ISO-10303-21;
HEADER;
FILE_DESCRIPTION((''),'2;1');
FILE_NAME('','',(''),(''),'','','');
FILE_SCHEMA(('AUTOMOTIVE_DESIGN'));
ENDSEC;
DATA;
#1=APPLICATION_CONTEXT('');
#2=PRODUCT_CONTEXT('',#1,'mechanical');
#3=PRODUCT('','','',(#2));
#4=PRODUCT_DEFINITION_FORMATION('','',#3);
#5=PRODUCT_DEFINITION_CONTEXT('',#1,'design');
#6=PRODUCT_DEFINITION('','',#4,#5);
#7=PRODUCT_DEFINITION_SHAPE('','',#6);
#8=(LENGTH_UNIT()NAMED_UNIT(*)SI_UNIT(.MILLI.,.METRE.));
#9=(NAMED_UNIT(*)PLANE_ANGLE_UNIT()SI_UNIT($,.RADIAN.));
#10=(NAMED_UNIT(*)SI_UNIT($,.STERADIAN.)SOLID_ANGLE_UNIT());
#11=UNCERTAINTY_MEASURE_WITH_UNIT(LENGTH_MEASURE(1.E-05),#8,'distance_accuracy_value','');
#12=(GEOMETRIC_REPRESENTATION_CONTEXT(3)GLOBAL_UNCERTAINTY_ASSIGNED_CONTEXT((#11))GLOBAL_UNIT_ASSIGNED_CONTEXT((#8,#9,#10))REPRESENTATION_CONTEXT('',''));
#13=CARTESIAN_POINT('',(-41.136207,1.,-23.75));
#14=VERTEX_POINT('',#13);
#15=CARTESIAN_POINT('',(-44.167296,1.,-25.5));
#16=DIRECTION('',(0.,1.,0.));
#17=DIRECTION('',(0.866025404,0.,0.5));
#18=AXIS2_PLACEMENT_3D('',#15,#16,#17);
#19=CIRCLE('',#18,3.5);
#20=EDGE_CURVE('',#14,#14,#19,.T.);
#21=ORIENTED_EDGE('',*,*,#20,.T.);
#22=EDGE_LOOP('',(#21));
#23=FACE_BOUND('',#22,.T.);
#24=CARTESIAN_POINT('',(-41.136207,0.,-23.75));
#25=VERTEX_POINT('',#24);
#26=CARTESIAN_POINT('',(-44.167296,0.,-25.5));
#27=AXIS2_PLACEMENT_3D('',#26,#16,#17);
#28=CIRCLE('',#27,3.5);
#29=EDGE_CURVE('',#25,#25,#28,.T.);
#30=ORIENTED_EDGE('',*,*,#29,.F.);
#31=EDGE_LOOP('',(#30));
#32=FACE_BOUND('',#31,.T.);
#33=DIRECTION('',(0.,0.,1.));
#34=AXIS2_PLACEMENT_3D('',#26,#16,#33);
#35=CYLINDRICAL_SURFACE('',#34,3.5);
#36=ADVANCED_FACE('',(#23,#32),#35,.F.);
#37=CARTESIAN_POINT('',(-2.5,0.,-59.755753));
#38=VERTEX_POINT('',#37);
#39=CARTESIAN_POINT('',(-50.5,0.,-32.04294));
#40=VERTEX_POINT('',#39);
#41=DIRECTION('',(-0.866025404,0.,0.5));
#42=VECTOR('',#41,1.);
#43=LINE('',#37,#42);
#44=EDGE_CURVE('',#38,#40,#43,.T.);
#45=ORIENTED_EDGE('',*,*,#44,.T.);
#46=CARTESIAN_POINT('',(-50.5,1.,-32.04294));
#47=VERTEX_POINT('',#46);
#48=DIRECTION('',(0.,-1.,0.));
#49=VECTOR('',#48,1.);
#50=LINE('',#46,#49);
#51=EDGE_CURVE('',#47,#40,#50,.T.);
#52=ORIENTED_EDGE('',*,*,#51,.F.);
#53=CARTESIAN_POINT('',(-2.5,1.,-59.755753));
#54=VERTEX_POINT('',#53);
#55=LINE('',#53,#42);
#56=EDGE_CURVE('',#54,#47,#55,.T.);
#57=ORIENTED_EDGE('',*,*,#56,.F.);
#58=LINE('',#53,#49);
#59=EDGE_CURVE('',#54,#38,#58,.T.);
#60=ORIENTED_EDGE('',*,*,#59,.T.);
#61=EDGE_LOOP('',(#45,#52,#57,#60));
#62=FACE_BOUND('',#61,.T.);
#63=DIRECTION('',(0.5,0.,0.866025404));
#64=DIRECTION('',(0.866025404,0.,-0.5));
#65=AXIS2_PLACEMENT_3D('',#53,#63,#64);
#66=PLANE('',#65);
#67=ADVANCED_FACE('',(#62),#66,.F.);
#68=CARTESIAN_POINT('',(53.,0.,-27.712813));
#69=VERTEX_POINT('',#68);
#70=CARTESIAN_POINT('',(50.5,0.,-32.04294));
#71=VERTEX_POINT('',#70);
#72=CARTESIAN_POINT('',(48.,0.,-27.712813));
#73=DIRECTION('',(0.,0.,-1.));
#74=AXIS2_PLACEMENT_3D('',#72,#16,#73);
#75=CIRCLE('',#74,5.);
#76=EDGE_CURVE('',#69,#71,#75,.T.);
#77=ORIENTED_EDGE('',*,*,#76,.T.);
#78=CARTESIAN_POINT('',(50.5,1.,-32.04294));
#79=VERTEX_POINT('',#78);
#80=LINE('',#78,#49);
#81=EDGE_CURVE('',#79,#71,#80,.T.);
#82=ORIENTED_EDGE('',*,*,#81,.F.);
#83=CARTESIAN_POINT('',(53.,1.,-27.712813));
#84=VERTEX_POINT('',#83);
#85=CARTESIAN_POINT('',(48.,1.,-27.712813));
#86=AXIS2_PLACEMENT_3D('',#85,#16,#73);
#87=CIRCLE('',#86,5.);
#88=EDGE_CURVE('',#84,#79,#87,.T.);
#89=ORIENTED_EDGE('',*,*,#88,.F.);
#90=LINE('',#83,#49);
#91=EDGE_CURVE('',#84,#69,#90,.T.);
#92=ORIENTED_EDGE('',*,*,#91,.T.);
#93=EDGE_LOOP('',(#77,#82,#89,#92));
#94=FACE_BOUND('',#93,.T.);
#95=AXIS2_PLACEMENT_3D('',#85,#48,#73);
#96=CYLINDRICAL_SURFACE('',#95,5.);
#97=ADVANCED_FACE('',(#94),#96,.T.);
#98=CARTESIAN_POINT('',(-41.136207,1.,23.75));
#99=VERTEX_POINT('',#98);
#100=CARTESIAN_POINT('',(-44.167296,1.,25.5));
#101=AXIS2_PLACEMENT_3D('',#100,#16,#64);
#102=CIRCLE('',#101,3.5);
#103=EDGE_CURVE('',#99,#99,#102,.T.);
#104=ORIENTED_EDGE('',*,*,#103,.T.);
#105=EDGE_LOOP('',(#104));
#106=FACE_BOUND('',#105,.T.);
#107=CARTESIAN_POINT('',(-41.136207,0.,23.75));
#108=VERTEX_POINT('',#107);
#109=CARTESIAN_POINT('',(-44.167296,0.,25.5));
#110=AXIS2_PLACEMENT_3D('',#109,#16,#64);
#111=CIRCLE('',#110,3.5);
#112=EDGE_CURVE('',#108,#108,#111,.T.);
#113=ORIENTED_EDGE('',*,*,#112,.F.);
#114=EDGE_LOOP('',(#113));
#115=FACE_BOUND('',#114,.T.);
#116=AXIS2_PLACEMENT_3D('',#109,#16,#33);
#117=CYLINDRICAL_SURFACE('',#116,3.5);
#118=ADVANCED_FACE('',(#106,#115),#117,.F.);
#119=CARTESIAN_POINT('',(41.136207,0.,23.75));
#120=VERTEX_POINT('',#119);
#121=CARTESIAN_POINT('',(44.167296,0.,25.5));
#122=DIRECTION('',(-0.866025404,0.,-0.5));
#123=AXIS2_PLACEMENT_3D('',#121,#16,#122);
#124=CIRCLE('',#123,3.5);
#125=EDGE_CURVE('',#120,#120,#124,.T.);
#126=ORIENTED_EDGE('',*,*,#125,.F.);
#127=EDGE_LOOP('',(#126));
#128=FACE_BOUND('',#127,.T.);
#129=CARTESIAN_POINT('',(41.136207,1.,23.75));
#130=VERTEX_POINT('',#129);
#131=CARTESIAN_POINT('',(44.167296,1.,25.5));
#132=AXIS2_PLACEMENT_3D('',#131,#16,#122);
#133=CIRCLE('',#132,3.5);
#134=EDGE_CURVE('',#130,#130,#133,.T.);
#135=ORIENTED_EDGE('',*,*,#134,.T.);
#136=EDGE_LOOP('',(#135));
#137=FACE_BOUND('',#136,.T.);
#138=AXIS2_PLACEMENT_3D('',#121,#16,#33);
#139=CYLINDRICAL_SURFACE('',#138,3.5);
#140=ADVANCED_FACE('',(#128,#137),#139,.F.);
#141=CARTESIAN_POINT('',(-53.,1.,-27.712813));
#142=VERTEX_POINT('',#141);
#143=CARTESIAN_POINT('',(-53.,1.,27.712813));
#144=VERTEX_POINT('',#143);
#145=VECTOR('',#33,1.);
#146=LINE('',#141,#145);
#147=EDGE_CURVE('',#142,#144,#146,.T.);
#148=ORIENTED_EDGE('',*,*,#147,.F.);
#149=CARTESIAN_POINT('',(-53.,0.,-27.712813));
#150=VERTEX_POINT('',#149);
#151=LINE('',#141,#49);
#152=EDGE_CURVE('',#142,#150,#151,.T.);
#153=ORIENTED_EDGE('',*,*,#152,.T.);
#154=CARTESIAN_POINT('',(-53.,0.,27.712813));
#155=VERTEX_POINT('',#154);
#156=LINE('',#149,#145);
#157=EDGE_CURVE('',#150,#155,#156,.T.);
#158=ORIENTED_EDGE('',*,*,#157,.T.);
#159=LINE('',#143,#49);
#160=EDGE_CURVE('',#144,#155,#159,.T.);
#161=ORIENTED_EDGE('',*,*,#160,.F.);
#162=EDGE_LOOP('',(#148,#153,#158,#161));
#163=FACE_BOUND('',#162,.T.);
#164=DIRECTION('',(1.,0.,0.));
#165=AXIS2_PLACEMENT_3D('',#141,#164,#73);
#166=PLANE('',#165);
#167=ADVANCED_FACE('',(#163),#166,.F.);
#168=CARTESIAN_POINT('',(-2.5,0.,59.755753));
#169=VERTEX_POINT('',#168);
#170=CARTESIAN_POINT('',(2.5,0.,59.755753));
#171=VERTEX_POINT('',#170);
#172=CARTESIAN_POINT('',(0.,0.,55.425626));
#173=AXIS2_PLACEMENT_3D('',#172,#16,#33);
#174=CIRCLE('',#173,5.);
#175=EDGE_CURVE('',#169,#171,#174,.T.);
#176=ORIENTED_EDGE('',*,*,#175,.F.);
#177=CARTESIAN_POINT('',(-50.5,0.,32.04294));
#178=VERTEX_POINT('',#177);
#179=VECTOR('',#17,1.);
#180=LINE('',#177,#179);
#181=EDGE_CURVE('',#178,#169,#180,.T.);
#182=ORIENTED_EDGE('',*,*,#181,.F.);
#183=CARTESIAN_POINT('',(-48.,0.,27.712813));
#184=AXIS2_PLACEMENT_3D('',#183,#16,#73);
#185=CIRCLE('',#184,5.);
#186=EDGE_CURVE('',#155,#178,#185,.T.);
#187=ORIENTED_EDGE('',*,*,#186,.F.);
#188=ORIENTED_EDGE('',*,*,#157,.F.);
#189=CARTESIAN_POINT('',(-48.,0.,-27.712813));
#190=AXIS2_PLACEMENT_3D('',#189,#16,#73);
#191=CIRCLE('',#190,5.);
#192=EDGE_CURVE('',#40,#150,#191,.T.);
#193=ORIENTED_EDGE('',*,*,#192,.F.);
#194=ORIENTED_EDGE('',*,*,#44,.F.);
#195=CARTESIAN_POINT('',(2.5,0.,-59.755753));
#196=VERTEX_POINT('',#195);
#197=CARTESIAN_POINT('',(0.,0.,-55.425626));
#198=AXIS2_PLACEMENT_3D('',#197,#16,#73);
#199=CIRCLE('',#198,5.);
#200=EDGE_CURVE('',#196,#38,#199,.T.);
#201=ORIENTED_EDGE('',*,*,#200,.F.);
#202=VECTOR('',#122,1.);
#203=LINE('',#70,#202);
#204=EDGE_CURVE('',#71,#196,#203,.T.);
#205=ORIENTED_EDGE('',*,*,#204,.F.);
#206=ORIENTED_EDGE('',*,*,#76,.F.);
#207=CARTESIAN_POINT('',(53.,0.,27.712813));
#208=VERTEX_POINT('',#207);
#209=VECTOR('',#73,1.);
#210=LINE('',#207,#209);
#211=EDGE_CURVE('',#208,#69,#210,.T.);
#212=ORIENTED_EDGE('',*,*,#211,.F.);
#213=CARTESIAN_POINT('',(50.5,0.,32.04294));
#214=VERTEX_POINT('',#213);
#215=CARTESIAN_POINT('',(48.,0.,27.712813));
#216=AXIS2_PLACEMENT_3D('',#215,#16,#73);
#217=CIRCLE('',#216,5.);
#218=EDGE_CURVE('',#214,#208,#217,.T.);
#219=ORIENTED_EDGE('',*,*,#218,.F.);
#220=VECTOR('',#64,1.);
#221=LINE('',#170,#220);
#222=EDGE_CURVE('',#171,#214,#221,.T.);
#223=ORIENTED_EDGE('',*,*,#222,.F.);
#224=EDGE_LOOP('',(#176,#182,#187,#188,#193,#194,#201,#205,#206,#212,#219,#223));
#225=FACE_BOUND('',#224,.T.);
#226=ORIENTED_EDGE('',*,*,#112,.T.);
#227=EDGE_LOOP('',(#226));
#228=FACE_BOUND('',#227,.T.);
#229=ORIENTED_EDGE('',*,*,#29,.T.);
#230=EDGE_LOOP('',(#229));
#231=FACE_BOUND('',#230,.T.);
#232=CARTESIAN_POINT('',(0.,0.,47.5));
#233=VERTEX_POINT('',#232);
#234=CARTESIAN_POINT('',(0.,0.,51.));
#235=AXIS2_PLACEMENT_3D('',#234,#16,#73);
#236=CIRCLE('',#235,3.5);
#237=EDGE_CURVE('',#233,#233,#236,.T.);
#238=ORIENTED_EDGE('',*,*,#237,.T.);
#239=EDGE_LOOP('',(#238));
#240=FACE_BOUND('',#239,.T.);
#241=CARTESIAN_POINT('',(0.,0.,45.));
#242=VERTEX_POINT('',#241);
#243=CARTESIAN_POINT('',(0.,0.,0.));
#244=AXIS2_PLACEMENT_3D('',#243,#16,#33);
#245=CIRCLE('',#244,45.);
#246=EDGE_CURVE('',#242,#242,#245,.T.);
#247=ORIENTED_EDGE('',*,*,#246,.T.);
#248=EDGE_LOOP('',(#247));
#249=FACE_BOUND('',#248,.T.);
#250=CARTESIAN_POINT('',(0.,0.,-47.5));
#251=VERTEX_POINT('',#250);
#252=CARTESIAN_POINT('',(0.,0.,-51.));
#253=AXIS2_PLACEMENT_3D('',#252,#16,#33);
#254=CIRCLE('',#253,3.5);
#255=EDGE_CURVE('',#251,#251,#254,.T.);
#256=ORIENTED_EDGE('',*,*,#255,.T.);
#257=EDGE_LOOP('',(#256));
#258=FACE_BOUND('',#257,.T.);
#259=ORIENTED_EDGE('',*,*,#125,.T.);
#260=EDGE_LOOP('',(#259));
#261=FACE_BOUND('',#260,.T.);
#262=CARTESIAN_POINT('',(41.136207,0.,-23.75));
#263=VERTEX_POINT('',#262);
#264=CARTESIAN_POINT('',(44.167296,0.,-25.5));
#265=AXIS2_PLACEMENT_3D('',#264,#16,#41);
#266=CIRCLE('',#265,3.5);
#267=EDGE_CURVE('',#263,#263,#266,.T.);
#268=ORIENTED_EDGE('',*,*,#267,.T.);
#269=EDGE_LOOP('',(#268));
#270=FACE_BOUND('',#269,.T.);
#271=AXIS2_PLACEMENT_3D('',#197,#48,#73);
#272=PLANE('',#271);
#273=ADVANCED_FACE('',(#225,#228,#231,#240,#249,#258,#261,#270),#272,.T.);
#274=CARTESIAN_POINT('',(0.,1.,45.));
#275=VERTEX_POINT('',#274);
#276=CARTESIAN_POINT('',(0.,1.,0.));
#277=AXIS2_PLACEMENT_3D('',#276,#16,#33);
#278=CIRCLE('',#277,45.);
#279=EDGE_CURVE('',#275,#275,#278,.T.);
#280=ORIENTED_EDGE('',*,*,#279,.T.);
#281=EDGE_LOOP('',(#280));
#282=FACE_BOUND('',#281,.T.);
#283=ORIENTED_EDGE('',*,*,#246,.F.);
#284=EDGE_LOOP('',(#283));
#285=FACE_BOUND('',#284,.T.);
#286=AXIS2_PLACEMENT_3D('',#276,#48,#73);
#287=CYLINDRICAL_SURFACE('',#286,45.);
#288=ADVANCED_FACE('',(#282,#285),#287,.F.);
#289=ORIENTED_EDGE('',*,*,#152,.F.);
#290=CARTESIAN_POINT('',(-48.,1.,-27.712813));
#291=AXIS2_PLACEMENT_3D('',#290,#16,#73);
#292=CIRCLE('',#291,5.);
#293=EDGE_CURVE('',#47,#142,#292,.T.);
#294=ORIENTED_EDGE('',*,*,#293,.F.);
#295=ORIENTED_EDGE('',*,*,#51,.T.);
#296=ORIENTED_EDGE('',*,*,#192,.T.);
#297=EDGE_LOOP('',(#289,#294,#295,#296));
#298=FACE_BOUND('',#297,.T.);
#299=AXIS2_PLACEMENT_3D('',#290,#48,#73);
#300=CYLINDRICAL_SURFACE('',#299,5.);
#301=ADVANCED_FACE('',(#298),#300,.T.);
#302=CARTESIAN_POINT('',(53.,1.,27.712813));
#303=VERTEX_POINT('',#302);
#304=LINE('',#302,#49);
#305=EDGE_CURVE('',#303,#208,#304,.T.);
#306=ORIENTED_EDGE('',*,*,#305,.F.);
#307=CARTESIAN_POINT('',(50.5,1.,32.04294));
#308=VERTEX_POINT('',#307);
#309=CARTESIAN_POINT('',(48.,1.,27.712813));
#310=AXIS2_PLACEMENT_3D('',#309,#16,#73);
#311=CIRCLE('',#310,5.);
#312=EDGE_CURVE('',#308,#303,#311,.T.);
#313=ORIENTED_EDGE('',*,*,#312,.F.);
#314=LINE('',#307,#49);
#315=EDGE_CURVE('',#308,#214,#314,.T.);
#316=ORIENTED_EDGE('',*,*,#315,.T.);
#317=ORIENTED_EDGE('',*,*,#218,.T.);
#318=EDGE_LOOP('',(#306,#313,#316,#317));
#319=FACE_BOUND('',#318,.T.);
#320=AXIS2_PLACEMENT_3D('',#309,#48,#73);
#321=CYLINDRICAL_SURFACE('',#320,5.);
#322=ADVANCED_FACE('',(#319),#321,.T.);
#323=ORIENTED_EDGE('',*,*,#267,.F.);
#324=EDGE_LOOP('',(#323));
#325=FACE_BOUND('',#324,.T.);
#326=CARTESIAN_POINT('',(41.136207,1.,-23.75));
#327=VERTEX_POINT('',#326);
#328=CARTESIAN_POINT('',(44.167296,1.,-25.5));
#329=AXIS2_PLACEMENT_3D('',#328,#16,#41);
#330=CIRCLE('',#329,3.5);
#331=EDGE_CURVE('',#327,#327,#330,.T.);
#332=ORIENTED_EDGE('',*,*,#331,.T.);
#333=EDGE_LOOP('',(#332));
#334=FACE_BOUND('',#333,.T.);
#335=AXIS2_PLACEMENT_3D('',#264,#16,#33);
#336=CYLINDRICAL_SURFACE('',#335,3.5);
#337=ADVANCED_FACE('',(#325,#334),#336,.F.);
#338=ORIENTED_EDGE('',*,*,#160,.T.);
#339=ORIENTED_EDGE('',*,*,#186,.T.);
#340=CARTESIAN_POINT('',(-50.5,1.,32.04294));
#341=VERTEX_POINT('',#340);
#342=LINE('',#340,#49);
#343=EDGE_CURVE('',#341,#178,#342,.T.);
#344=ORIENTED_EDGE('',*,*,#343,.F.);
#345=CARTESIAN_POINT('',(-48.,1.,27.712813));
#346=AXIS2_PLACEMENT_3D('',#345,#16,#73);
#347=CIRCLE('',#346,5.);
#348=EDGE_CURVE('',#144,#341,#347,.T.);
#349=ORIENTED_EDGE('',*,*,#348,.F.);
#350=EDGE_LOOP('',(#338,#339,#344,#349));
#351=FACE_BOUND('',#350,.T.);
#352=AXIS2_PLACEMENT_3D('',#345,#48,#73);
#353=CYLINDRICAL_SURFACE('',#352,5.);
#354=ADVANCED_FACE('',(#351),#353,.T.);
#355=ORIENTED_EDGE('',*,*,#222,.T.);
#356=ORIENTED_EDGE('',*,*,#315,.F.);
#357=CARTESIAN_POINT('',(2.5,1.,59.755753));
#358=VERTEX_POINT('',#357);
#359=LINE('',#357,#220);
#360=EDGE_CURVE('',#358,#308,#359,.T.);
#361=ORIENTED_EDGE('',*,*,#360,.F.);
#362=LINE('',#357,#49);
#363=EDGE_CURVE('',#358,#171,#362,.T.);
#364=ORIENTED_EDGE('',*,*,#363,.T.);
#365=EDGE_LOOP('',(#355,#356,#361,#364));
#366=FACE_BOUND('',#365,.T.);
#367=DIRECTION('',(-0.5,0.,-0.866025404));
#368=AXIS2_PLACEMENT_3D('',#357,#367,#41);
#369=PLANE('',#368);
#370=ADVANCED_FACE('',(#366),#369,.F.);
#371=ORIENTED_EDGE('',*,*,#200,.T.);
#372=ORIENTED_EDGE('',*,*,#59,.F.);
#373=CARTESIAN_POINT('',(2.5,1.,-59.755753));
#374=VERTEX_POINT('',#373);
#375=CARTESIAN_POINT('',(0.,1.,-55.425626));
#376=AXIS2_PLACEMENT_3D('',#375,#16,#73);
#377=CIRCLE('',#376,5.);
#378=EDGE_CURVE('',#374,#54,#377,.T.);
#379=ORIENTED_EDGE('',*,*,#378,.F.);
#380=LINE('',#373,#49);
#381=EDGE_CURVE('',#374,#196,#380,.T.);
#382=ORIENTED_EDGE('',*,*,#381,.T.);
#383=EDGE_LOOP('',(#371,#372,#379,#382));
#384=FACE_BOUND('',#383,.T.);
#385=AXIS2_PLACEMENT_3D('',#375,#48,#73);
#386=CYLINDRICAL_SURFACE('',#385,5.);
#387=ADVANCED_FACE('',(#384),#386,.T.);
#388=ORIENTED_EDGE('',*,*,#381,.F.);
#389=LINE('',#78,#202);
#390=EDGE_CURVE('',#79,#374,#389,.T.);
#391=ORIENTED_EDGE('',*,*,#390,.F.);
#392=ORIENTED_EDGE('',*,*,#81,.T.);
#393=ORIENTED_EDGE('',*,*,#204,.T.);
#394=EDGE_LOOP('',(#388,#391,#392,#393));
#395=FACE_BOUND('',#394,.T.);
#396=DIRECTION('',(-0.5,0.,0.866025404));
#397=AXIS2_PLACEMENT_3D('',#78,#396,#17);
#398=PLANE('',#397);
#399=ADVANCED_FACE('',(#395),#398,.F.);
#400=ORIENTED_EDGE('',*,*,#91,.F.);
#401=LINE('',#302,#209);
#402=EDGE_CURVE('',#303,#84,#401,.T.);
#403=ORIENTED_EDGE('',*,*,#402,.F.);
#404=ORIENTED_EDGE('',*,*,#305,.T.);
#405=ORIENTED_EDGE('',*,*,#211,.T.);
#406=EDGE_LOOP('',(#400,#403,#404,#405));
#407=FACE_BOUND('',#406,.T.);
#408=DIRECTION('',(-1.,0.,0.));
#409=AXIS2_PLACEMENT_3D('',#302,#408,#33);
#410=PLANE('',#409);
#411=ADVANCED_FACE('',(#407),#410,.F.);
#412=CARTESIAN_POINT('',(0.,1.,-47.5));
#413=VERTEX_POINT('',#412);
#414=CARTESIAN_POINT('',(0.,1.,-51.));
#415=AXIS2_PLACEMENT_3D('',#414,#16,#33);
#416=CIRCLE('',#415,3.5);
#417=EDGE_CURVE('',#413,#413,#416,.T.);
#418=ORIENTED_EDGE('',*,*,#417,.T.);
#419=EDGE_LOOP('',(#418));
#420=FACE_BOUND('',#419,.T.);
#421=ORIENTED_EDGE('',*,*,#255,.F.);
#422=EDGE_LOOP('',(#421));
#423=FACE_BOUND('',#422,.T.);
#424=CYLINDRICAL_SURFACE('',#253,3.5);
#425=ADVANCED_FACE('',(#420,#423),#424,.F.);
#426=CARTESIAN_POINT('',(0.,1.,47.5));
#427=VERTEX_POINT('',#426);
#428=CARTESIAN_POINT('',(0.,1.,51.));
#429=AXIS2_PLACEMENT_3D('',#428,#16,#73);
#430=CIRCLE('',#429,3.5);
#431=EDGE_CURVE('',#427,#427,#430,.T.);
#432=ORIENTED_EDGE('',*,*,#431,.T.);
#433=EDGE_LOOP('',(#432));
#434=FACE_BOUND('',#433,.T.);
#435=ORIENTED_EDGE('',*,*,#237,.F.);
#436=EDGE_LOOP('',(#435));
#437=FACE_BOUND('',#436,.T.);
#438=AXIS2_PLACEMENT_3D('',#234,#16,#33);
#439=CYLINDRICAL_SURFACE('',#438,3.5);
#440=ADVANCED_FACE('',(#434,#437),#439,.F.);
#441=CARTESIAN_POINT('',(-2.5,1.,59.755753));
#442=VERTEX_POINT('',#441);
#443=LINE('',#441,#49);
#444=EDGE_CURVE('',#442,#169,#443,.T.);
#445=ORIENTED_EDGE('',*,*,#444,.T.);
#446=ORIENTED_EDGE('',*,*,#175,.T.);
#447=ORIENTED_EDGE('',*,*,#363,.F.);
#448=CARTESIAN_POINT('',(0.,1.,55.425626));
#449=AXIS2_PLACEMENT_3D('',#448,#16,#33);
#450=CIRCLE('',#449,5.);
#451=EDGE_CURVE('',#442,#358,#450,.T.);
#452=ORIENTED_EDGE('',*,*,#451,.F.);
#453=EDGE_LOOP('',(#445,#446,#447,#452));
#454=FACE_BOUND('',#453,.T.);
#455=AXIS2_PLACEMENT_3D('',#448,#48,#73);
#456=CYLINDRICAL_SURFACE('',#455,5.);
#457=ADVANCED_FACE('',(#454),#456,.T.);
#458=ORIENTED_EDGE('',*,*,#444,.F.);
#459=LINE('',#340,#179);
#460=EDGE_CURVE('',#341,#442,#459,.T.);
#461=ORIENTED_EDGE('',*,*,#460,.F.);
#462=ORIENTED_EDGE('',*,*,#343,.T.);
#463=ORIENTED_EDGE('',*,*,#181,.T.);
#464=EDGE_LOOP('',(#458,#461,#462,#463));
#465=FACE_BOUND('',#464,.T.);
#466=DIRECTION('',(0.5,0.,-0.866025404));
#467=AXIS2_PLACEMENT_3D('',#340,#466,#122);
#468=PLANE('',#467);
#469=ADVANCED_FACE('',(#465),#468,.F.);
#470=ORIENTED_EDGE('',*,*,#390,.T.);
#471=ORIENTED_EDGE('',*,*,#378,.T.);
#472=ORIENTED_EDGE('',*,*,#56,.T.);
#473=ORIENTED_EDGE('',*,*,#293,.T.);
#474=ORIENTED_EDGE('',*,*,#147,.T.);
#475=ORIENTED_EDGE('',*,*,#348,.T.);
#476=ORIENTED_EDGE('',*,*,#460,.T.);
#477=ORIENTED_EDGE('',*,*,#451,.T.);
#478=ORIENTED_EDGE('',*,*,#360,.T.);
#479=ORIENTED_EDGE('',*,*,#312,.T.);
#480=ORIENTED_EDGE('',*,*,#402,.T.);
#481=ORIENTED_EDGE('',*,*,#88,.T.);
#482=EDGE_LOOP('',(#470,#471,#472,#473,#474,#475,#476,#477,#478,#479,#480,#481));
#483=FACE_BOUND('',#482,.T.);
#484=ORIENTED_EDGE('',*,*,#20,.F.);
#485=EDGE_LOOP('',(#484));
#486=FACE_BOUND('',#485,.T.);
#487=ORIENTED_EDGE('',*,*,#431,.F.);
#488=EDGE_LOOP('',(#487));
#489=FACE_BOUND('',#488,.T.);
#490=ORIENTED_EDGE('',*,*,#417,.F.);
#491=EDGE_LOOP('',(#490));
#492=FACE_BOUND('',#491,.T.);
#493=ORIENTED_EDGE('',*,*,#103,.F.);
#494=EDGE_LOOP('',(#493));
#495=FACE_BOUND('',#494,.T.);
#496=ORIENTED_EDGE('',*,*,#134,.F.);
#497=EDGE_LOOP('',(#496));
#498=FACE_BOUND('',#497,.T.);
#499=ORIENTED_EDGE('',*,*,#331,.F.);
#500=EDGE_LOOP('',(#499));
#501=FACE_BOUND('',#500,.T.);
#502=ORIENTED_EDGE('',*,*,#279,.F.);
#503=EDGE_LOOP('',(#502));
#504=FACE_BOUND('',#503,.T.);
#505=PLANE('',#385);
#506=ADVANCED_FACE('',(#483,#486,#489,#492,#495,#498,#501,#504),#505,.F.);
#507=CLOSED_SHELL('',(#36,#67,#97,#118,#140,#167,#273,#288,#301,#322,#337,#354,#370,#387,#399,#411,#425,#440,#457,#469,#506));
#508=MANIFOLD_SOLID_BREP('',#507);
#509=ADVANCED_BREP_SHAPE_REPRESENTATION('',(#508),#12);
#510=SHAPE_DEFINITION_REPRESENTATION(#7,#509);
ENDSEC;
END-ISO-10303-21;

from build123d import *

# Parameters (mm, degrees)
SKETCH2_R           = 45
BOSS_EXTRUDE1_DEPTH = 1
SKETCH3_R           = 3.5
CUT_EXTRUDE1_DEPTH  = 1
CIRPATTERN1_COUNT   = 6


with BuildPart() as part:
    # Sketch2 → Boss-Extrude1 (new body)
    with BuildSketch(Plane(origin=(0, 0, 0), x_dir=(1, 0, 0), z_dir=(0, 1, 0))):
        with BuildLine():
            Line((-2.5, 59.755752861), (-50.5, 32.04293994))
            ThreePointArc((-50.5, 32.04293994), (-52.330127019, 30.212812921), (-53, 27.712812921))
            Line((-53, 27.712812921), (-53, -27.712812921))
            ThreePointArc((-53, -27.712812921), (-52.330127019, -30.212812921), (-50.5, -32.04293994))
            Line((-50.5, -32.04293994), (-2.5, -59.755752861))
            ThreePointArc((-2.5, -59.755752861), (0, -60.425625842), (2.5, -59.755752861))
            Line((2.5, -59.755752861), (50.5, -32.04293994))
            ThreePointArc((50.5, -32.04293994), (52.330127019, -30.212812921), (53, -27.712812921))
            Line((53, -27.712812921), (53, 27.712812921))
            ThreePointArc((53, 27.712812921), (52.330127019, 30.212812921), (50.5, 32.04293994))
            Line((50.5, 32.04293994), (2.5, 59.755752861))
            ThreePointArc((2.5, 59.755752861), (0, 60.425625842), (-2.5, 59.755752861))
        make_face()
        Circle(SKETCH2_R, mode=Mode.SUBTRACT)
    extrude(amount=BOSS_EXTRUDE1_DEPTH)

    # Sketch3 → Cut-Extrude1 (cut)
    with BuildSketch(Plane(origin=(0, 1, 0), x_dir=(1, 0, 0), z_dir=(0, 1, 0))):
        with Locations((0, 51)):
            Circle(SKETCH3_R)
    cut_extrude1 = extrude(amount=-CUT_EXTRUDE1_DEPTH, mode=Mode.SUBTRACT)

    # CirPattern1: Cut-Extrude1 ×6 about axis
    cirpattern1_axis = Axis((0, 0, 0), (0, 1, 0))
    for i in range(1, CIRPATTERN1_COUNT):
        add(cut_extrude1.rotate(cirpattern1_axis, i * 360 / CIRPATTERN1_COUNT), mode=Mode.SUBTRACT)


solid = part.part
